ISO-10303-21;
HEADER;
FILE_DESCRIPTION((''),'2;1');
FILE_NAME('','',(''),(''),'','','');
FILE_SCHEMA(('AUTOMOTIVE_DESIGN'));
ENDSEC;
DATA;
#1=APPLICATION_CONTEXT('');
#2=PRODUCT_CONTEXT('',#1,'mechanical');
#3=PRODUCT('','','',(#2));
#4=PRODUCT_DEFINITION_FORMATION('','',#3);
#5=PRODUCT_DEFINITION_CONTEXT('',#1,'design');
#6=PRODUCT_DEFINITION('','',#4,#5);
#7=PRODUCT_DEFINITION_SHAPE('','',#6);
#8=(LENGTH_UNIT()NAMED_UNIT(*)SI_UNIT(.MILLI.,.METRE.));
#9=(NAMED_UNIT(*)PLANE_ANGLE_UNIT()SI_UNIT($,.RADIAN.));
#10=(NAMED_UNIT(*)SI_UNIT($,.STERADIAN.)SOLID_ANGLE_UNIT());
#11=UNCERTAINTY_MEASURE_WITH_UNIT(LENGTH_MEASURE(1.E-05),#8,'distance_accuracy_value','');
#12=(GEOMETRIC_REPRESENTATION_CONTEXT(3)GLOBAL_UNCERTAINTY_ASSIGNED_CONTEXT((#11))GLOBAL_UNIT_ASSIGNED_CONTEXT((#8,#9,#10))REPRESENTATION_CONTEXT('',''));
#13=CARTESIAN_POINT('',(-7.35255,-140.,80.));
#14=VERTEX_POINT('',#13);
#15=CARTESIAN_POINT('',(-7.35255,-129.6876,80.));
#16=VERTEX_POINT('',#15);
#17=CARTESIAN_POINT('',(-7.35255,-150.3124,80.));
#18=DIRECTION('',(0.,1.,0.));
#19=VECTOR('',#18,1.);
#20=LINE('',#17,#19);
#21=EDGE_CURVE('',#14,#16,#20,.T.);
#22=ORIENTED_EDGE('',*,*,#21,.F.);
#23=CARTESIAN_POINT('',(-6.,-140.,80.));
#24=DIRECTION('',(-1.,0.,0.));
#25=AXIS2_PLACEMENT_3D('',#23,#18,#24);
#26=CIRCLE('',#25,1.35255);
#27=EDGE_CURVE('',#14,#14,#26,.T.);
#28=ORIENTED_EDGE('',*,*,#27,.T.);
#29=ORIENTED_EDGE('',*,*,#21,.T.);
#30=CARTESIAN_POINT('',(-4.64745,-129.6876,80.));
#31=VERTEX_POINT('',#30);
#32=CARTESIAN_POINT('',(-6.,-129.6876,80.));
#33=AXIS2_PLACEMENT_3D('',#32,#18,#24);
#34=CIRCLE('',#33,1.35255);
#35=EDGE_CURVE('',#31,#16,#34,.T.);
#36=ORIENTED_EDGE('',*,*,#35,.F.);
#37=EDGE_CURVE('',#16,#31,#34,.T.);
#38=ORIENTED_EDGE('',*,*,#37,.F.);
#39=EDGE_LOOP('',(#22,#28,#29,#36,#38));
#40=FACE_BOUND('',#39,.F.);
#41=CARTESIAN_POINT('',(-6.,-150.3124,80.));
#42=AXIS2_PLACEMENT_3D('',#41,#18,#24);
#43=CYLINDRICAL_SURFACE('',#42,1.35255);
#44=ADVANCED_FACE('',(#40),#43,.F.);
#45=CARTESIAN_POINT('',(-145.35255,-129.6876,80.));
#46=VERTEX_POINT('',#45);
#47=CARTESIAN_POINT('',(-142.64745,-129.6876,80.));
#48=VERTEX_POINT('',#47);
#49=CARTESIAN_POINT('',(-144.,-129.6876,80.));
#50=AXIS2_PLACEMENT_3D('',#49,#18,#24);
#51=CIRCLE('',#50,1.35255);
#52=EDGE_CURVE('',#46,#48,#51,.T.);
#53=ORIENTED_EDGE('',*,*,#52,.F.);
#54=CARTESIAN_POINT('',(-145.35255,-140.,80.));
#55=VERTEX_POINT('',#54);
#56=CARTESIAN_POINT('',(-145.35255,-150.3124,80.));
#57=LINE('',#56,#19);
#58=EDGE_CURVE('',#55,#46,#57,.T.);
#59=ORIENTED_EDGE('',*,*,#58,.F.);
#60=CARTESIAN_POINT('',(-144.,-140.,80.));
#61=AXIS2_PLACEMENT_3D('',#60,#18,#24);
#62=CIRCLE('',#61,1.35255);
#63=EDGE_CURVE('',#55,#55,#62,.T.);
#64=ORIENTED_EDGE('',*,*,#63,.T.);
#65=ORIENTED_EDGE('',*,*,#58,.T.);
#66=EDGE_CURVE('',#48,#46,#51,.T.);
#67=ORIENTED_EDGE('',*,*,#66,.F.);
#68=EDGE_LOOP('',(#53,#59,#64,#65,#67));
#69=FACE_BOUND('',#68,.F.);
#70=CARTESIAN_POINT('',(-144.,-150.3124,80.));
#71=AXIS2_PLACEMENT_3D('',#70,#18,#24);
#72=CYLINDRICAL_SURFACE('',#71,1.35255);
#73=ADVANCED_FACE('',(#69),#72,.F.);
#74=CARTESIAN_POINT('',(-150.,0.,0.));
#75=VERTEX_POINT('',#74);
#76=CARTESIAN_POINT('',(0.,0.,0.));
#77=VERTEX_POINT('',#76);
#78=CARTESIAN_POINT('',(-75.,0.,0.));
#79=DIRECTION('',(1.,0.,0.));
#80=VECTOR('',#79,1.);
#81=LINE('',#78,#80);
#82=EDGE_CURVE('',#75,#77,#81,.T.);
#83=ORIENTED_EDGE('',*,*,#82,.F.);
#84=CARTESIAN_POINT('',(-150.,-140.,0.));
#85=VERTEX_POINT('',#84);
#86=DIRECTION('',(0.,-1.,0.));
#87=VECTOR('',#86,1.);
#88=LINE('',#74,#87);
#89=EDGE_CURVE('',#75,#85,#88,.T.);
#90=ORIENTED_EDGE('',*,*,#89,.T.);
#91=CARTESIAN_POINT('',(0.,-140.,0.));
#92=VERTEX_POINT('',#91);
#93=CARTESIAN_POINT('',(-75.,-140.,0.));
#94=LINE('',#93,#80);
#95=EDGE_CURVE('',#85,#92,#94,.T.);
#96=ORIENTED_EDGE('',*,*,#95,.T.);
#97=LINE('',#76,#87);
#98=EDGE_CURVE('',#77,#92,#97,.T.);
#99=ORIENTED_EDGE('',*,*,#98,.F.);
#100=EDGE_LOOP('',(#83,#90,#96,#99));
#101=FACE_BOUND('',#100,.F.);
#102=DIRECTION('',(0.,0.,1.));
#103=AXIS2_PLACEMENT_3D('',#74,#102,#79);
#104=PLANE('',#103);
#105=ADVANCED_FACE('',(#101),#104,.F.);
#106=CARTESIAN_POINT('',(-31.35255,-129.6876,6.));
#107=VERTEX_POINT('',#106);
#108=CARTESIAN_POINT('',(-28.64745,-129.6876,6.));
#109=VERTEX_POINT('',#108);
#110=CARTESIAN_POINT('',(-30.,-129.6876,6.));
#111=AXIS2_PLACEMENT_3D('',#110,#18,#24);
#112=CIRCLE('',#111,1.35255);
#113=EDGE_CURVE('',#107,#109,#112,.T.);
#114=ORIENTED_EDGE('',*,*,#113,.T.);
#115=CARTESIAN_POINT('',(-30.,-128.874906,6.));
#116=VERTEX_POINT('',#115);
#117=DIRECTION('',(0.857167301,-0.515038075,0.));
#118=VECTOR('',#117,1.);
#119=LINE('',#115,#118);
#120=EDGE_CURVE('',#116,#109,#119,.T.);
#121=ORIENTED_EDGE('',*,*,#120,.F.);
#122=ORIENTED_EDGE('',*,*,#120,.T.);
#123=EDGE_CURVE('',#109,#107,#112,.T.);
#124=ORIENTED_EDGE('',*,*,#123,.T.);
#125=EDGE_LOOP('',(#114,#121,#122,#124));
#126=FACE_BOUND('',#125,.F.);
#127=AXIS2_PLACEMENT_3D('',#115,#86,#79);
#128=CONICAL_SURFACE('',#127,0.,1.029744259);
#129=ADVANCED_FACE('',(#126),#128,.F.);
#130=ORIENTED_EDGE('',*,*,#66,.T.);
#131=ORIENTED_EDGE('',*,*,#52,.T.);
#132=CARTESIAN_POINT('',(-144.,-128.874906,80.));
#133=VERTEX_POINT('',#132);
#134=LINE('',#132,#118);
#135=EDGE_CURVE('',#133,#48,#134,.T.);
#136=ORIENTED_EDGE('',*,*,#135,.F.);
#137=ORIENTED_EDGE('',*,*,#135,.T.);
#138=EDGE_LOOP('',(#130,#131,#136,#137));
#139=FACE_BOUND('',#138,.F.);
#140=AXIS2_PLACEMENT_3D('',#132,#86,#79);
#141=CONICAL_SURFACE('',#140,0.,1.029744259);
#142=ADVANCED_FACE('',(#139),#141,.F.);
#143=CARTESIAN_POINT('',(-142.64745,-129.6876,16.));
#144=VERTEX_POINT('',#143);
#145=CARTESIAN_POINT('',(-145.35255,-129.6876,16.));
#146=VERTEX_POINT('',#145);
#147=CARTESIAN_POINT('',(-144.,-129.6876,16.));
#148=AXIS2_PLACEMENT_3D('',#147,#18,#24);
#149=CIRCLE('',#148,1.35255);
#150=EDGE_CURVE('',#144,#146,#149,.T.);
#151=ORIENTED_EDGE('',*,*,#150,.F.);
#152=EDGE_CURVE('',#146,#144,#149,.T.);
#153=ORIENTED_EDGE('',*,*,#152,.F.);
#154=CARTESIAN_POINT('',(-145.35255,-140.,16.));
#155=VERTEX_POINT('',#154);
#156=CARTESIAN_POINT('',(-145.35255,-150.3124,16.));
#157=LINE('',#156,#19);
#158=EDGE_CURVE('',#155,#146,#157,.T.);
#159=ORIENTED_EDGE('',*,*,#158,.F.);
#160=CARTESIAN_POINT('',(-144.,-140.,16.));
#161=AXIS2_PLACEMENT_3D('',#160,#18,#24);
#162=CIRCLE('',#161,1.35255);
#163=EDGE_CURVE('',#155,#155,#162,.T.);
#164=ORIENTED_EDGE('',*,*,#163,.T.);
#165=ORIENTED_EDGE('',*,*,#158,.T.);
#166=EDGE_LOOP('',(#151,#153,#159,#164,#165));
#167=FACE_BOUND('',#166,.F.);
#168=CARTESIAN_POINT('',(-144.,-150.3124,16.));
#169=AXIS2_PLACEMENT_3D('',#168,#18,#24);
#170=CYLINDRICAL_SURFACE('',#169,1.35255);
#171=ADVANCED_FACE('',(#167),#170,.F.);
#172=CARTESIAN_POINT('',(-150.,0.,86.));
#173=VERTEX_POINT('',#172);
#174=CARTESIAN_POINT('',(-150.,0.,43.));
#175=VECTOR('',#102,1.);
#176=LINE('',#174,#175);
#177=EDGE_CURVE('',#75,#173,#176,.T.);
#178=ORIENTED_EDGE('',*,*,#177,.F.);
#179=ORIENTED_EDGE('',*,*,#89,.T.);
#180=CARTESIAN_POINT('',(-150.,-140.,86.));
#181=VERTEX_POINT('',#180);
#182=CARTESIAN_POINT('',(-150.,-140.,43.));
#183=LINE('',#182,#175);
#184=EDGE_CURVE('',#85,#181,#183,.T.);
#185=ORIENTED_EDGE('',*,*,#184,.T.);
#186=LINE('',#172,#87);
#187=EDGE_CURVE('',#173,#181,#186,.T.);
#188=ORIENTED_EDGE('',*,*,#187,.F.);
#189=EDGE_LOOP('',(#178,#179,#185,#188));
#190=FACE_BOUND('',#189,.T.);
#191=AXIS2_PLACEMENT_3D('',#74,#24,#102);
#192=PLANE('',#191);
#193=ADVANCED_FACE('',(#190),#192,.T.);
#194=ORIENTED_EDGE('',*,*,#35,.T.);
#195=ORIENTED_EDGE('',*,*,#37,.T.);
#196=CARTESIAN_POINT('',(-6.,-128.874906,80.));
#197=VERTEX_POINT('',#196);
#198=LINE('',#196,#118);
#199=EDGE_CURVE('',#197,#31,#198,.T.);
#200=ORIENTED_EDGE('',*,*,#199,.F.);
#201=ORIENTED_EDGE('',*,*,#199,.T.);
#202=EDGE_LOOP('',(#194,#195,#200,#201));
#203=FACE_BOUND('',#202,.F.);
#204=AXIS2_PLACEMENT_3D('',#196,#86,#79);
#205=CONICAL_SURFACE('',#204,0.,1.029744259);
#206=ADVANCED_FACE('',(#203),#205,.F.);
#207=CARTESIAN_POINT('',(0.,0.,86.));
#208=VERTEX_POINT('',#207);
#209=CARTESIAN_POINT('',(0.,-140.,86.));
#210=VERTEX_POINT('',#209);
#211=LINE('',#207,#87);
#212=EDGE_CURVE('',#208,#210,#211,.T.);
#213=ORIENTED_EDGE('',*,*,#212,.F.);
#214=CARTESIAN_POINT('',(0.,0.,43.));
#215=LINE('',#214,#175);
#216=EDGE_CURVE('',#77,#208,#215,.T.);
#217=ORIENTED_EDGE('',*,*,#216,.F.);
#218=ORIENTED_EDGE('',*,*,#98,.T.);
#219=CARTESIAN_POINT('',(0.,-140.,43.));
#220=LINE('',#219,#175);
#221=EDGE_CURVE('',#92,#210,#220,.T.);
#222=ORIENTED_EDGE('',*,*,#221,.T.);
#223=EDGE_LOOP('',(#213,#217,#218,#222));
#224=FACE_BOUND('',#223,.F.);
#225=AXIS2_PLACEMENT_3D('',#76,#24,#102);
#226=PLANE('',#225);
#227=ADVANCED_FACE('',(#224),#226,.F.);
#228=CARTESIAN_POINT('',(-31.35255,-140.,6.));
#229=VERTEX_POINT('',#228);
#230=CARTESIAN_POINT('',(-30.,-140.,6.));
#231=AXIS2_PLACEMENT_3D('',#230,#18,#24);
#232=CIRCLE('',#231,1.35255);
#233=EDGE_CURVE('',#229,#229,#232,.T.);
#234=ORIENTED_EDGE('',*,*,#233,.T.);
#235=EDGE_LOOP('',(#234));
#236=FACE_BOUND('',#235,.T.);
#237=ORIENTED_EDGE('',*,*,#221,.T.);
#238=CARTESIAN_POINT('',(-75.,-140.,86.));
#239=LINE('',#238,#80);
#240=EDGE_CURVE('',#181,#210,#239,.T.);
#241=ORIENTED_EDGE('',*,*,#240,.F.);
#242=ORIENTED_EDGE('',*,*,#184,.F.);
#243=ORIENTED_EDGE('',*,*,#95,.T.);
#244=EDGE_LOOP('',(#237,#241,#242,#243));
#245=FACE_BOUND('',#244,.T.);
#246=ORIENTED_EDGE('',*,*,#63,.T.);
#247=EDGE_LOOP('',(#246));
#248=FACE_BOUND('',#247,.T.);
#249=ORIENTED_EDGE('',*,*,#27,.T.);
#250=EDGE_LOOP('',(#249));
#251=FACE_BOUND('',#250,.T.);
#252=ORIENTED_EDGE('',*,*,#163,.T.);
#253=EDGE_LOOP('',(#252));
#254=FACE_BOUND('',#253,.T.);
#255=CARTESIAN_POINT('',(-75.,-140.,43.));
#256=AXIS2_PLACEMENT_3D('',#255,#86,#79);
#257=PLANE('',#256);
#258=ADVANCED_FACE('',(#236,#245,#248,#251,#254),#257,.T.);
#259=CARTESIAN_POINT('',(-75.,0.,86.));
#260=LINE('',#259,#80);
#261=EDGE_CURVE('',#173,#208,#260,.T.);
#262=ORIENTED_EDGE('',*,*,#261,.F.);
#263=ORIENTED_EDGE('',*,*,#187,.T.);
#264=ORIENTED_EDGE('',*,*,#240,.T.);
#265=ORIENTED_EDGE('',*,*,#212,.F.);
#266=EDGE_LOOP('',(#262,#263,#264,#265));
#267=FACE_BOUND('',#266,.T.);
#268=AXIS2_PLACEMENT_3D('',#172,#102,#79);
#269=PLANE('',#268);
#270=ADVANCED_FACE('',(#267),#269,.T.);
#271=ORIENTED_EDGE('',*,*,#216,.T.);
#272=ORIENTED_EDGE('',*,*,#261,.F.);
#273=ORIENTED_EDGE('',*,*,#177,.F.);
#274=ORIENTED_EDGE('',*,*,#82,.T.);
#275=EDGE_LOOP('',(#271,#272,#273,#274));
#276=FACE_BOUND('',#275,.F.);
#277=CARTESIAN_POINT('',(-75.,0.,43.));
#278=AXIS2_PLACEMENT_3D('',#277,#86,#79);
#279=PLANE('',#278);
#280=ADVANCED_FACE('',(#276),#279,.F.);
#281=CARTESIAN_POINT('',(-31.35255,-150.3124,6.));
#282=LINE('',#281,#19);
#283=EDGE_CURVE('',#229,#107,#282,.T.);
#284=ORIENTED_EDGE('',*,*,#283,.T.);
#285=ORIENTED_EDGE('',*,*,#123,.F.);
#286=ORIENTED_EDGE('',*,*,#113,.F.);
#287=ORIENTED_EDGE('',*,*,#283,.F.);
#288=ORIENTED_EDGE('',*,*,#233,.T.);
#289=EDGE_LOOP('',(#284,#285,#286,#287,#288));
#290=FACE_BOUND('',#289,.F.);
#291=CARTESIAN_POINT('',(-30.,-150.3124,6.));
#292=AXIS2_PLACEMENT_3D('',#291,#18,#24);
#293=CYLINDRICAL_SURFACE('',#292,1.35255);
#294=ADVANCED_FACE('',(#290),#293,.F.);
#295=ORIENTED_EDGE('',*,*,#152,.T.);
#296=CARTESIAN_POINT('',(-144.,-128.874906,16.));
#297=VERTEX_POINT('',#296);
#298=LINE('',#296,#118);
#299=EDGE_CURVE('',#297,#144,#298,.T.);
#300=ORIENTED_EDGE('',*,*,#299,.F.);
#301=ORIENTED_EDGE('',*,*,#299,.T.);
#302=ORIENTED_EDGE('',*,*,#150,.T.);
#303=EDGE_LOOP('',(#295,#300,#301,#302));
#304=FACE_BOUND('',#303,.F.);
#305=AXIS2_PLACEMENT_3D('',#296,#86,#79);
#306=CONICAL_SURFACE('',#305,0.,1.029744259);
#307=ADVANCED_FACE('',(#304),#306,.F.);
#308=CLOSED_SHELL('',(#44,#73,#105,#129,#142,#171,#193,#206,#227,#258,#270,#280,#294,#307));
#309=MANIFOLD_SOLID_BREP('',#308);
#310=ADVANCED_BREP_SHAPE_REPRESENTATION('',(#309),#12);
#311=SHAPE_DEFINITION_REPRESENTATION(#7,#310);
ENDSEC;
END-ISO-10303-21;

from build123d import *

# Parameters (mm, degrees)
F0_W     = 150
F0_H     = 86
F1_DEPTH = 140
F3_D     = 2.7051
F3_DEPTH = 10.3124
F3_TIP   = 0.8126940303


with BuildPart() as f1:
    # F0 (on Front) → F1 (new body)
    with BuildSketch(Plane.XZ):
        with Locations((-75, 43)):
            Rectangle(F0_W, F0_H)
    extrude(amount=F1_DEPTH)

    # F3
    with Locations(Plane.XZ.offset(140)):
        with Locations((-144, 80), (-30, 6), (-6, 80), (-144, 16)):
            Hole(F3_D / 2, depth=F3_DEPTH)
            with Locations((0, 0, -(F3_DEPTH + F3_TIP / 2))):  # 118° drill point
                Cone(0, F3_D / 2, F3_TIP, mode=Mode.SUBTRACT)


solid = f1.part
